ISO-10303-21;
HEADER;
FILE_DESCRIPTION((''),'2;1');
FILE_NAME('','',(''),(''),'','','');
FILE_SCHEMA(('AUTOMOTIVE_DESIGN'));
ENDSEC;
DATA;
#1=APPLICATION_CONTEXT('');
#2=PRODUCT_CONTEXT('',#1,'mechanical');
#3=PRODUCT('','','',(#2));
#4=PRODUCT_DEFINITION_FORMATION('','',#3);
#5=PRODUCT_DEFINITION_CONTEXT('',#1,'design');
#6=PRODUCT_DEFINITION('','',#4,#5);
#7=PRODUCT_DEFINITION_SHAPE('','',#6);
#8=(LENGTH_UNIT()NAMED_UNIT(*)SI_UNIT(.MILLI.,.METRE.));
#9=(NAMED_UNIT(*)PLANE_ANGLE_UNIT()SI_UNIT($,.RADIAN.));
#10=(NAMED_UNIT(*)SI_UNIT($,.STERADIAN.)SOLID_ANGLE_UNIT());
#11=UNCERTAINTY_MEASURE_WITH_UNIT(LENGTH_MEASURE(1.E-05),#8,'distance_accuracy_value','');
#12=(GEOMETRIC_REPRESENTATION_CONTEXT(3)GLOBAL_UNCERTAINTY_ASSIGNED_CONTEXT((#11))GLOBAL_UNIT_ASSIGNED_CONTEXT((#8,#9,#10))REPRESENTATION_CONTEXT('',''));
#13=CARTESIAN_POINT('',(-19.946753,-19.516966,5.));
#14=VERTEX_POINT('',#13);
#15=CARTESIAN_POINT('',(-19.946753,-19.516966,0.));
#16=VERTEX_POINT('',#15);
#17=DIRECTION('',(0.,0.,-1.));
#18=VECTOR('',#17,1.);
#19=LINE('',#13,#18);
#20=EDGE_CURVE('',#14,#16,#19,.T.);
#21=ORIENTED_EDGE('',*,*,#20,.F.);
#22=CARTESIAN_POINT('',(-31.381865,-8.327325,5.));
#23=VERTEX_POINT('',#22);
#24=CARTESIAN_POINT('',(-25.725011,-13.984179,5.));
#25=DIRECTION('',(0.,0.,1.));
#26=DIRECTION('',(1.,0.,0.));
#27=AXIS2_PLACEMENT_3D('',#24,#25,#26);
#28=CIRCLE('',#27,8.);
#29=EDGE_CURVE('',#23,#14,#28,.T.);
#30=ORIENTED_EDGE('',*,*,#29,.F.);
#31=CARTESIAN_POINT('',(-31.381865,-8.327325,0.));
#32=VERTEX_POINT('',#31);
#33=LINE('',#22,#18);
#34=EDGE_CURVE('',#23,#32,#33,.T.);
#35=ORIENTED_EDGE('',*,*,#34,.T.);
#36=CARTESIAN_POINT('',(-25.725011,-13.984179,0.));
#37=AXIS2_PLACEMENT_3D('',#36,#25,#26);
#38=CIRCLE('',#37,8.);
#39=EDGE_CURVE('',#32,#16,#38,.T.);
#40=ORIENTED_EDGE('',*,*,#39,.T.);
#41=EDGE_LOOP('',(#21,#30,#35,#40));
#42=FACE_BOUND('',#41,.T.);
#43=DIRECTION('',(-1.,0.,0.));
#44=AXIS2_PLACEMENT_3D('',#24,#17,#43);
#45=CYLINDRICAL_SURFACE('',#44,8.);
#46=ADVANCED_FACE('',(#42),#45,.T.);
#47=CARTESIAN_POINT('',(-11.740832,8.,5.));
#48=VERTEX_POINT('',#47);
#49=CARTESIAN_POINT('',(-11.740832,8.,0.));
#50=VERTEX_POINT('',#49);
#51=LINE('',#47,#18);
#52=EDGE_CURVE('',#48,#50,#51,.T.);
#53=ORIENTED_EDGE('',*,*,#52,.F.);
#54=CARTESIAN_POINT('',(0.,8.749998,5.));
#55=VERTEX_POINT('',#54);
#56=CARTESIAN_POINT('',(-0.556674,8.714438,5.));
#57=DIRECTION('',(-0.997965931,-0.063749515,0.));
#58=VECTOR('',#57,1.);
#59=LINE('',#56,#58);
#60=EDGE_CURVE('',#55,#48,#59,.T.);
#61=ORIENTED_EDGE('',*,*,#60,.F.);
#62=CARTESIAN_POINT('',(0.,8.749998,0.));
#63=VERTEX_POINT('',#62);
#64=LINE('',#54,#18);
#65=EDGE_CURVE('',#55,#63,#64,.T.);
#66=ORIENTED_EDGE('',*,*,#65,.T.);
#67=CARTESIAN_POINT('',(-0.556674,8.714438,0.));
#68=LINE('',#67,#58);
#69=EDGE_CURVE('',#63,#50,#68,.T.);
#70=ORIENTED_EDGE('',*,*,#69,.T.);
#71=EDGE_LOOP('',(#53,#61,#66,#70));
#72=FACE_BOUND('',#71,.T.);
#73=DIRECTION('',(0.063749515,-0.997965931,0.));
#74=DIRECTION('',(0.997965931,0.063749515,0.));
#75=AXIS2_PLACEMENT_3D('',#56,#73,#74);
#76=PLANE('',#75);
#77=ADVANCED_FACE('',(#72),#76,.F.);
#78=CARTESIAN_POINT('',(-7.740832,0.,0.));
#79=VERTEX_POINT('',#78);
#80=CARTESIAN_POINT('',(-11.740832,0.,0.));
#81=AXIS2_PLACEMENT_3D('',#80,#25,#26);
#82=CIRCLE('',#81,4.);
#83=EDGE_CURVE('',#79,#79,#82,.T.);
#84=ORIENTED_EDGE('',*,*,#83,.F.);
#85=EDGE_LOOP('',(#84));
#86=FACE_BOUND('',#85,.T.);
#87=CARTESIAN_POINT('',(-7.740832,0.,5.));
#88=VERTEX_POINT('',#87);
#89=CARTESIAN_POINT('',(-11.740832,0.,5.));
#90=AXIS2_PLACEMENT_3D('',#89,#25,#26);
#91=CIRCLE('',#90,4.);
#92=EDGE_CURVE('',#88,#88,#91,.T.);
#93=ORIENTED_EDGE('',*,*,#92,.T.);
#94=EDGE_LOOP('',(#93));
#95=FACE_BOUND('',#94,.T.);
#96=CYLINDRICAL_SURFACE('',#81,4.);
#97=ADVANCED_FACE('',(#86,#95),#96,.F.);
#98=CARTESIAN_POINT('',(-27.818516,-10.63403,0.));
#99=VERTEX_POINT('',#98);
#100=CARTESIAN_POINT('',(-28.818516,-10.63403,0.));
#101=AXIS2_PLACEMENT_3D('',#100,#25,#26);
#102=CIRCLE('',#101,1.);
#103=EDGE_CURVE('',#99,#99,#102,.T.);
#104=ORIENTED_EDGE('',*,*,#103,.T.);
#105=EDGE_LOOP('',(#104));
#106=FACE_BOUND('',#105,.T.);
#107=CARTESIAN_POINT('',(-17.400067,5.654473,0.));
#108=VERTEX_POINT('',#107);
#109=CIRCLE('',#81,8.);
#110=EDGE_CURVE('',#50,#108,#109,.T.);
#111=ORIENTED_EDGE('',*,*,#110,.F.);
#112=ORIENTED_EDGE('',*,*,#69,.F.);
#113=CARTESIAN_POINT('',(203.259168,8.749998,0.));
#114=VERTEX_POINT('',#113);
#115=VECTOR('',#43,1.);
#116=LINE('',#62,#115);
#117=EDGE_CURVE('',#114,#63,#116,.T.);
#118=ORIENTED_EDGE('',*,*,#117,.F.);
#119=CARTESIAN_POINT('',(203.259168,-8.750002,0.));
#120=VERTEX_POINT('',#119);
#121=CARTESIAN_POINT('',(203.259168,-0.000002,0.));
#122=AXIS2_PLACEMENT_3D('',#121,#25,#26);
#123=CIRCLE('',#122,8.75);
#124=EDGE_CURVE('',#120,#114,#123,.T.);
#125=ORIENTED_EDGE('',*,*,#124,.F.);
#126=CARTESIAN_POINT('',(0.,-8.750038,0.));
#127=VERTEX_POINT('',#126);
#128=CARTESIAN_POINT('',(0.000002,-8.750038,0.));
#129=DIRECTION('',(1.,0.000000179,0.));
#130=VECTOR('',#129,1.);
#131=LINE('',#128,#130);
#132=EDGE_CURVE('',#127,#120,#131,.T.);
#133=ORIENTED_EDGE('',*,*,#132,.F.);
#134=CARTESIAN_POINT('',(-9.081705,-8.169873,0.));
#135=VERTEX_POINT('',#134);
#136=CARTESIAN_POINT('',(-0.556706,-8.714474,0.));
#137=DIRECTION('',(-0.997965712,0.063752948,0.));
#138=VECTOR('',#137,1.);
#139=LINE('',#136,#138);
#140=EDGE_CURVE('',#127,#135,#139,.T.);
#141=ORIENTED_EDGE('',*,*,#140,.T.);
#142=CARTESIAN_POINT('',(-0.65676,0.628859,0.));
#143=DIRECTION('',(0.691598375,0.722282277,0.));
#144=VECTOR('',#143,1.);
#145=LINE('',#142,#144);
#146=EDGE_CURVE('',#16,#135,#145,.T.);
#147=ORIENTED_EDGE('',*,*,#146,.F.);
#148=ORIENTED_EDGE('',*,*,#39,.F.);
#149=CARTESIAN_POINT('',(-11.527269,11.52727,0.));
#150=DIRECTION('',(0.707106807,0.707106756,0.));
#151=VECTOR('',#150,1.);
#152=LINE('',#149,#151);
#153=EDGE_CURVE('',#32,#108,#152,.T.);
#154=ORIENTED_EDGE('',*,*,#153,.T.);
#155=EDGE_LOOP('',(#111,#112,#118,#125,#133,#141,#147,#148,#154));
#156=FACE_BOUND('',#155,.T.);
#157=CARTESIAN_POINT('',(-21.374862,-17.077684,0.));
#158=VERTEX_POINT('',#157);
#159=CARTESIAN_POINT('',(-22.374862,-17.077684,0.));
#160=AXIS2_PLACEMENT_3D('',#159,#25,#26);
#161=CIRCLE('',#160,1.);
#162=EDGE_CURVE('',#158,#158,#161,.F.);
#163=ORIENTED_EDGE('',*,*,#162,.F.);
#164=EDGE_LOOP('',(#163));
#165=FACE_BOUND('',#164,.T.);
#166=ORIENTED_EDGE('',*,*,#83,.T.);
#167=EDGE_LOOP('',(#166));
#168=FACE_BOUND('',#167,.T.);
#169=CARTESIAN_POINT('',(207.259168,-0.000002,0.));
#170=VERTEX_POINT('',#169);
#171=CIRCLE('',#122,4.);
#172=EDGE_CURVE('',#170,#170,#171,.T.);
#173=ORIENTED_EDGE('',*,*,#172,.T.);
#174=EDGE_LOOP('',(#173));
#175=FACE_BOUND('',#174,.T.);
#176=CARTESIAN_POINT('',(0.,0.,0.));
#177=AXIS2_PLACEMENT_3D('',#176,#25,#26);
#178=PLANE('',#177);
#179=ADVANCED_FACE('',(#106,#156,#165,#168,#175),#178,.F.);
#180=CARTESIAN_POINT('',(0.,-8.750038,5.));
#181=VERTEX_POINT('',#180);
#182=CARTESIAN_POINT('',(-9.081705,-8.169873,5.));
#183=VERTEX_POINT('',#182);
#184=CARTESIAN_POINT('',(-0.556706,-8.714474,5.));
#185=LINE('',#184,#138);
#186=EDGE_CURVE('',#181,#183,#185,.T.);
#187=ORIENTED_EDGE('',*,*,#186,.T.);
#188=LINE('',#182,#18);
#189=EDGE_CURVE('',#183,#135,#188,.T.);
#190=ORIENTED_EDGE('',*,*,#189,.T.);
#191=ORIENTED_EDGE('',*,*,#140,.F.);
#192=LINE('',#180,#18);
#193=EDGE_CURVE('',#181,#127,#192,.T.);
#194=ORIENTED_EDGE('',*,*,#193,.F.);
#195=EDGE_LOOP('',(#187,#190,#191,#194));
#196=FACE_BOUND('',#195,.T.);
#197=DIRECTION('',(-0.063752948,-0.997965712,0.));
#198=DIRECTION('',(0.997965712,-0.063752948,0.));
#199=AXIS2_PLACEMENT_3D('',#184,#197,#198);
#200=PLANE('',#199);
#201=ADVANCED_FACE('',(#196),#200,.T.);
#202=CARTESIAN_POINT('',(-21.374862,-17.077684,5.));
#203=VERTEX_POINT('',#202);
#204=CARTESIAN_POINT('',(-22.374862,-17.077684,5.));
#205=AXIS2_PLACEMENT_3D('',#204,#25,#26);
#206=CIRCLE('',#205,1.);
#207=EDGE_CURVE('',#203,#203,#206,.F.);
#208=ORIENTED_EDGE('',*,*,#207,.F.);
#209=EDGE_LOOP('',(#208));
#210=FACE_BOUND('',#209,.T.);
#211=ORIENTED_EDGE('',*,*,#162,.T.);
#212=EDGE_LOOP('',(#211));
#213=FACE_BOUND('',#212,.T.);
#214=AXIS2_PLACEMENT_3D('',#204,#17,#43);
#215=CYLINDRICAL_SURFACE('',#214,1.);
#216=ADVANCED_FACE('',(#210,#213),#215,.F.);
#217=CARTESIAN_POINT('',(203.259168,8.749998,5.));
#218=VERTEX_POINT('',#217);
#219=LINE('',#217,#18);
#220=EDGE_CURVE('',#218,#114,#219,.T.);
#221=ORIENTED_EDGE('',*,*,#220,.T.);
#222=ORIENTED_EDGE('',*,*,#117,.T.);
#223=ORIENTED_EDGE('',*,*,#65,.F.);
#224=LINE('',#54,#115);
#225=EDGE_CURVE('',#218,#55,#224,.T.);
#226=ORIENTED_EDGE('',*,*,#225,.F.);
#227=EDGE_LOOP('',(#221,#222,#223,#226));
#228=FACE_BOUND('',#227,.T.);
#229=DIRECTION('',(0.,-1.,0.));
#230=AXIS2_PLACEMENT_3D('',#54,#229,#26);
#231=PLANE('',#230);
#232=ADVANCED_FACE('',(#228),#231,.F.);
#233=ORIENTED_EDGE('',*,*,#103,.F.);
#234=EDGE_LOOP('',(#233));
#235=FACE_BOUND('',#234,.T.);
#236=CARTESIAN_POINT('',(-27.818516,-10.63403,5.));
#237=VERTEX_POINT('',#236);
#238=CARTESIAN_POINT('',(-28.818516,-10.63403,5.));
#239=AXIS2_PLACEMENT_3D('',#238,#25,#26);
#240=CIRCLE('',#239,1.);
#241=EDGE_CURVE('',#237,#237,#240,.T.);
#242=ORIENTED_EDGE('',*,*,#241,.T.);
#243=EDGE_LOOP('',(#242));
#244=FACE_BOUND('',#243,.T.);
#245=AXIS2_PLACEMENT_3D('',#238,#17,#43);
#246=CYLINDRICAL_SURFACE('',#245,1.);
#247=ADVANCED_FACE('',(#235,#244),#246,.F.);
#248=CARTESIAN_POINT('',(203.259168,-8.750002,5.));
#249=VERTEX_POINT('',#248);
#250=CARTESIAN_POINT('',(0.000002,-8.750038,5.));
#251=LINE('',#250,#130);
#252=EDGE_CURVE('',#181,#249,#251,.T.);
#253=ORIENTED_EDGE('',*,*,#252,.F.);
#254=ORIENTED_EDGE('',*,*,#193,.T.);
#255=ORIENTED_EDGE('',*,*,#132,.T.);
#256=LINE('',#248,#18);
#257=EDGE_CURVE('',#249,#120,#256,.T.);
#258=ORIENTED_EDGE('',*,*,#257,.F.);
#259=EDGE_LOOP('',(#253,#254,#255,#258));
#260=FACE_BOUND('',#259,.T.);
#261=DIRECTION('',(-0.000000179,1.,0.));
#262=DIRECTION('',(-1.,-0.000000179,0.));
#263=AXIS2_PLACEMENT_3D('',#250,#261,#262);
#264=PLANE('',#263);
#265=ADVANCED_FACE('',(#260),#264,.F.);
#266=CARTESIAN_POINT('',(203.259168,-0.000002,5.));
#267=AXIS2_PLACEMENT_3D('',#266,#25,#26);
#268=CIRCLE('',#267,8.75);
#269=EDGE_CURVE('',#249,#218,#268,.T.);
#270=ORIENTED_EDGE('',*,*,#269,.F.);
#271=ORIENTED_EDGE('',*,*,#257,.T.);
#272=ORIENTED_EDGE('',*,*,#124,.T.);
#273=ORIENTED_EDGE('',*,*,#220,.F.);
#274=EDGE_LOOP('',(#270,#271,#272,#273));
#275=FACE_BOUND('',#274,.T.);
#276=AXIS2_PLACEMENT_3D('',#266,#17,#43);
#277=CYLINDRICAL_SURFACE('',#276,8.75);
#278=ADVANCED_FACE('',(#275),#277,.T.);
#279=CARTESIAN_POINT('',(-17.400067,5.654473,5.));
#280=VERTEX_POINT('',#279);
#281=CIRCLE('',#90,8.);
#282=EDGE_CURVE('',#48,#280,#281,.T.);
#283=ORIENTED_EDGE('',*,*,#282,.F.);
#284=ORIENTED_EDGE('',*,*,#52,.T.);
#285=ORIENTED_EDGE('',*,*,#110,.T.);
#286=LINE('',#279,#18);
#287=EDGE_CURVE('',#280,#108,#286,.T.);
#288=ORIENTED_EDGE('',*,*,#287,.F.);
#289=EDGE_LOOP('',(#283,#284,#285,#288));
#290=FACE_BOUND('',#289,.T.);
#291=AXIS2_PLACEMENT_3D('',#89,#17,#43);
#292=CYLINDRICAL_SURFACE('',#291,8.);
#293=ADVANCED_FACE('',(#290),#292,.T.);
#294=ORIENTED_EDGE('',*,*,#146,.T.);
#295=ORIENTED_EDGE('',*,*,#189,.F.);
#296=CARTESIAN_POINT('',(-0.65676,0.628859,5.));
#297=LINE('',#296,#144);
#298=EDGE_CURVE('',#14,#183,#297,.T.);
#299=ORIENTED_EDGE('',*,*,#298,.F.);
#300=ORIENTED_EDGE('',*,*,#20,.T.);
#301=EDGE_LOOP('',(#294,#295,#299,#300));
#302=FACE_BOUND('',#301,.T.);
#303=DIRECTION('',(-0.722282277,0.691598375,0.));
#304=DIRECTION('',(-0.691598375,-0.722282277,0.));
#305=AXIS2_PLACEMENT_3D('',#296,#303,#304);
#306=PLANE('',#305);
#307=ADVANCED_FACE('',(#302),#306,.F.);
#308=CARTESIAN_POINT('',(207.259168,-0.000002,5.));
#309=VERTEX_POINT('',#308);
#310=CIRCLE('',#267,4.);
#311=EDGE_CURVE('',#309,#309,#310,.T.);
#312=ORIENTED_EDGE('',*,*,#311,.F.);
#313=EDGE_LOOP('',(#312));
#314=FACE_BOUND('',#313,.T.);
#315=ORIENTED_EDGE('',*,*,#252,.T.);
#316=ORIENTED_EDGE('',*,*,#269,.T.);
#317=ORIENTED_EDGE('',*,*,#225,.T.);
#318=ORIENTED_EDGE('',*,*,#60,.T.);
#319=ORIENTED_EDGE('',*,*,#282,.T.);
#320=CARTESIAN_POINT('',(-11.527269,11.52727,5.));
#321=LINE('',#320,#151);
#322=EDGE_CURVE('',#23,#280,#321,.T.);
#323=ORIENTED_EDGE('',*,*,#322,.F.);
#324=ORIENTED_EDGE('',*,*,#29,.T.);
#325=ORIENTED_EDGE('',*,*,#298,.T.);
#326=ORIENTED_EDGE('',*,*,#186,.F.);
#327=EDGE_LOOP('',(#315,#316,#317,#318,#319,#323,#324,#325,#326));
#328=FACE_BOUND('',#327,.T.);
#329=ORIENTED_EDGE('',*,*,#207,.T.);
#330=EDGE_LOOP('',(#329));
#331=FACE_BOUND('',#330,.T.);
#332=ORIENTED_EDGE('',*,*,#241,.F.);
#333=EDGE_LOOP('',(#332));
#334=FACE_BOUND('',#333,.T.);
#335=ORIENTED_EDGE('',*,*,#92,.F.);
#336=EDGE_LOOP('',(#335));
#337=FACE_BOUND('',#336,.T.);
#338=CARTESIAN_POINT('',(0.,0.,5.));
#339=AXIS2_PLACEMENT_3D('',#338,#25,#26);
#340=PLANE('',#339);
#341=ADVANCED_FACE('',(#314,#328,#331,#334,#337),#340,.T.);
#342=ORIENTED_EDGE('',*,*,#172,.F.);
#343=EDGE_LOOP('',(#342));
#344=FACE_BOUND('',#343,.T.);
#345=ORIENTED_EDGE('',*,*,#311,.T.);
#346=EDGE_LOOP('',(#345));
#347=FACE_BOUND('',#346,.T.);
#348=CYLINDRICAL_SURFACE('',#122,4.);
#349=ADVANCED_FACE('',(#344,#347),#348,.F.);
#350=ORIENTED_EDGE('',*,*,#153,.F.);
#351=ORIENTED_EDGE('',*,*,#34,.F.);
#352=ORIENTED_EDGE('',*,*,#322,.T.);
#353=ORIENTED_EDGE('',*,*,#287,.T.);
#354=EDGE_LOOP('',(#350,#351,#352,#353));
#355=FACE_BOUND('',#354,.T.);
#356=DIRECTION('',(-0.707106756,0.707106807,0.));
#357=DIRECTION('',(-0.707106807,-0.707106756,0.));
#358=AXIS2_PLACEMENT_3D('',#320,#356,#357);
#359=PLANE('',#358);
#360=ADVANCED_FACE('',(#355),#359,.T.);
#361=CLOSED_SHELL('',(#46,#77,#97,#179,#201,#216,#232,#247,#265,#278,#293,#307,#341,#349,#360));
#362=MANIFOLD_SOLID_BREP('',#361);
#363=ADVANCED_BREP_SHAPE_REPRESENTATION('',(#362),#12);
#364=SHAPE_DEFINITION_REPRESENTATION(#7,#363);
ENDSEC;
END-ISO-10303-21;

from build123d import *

# Parameters (mm, degrees)
SKETCH_3_R          = 8
EXTRUDE_1_DEPTH     = 5
SKETCH_4_R          = 4
CUT_EXTRUDE_1_DEPTH = 213.248558243
SKETCH_5_R          = 1
EXTRUDE_3_DEPTH     = 5


with BuildPart() as part:
    # 草图3 → 凸台-拉伸1 (new body)
    with BuildSketch(Plane.XY):
        with BuildLine():
            ThreePointArc((203.259167971, -8.750002099), (194.509167971, -2.099e-06), (203.259167971, 8.749997901))
            Line((203.259167971, 8.749997901), (0, 8.749997901))
            Line((0, 8.749997901), (-11.740832029, 8))
            ThreePointArc((-11.740832029, 8), (-6.08397778, 5.656854249), (-3.740832029, 0))
            ThreePointArc((-3.740832029, 0), (-6.08397778, -5.656854249), (-11.740832029, -8))
            Line((-11.740832029, -8), (0, -8.750038444))
            Line((0, -8.750038444), (203.259167971, -8.750002099))
        make_face()
        with Locations((-11.740832029, 0)):
            Circle(SKETCH_3_R)
        with BuildLine():
            ThreePointArc((212.009167971, -2.099e-06), (209.446352306, 6.187182236), (203.259167971, 8.749997901))
            Line((203.259167971, 8.749997901), (203.259167971, -8.750002099))
            ThreePointArc((203.259167971, -8.750002099), (209.446352306, -6.187186435), (212.009167971, -2.099e-06))
        make_face()
        with BuildLine():
            Line((203.259167971, -8.750002099), (203.259167971, 8.749997901))
            ThreePointArc((203.259167971, 8.749997901), (194.509167971, -2.099e-06), (203.259167971, -8.750002099))
        make_face()
    extrude(amount=EXTRUDE_1_DEPTH)

    # 草图4 → 切除-拉伸1 (cut, through all)
    with BuildSketch(Plane.XY.offset(5)):
        with Locations((-11.740832029, 0)):
            Circle(SKETCH_4_R)
        with Locations((203.259167971, -2.099e-06)):
            Circle(SKETCH_4_R)
    extrude(amount=-CUT_EXTRUDE_1_DEPTH, mode=Mode.SUBTRACT)

    # 草图5 → 凸台-拉伸3 (add)
    with BuildSketch(Plane.XY):
        with BuildLine():
            ThreePointArc((-11.740832029, -8), (-19.131223835, -3.063022848), (-17.400066767, 5.654472759))
            Line((-17.400066767, 5.654472759), (-31.381865156, -8.327324627))
            ThreePointArc((-31.381865156, -8.327324627), (-31.320161123, -19.702071726), (-19.94675289, -19.516966077))
            Line((-19.94675289, -19.516966077), (-9.081705309, -8.169872737))
            Line((-9.081705309, -8.169872737), (-11.740832029, -8))
        make_face()
        with Locations((-28.81851625, -10.634029839)):
            Circle(SKETCH_5_R, mode=Mode.SUBTRACT)
        with Locations((-22.374861868, -17.077684221)):
            Circle(SKETCH_5_R, mode=Mode.SUBTRACT)
    extrude(amount=EXTRUDE_3_DEPTH)


solid = part.part
